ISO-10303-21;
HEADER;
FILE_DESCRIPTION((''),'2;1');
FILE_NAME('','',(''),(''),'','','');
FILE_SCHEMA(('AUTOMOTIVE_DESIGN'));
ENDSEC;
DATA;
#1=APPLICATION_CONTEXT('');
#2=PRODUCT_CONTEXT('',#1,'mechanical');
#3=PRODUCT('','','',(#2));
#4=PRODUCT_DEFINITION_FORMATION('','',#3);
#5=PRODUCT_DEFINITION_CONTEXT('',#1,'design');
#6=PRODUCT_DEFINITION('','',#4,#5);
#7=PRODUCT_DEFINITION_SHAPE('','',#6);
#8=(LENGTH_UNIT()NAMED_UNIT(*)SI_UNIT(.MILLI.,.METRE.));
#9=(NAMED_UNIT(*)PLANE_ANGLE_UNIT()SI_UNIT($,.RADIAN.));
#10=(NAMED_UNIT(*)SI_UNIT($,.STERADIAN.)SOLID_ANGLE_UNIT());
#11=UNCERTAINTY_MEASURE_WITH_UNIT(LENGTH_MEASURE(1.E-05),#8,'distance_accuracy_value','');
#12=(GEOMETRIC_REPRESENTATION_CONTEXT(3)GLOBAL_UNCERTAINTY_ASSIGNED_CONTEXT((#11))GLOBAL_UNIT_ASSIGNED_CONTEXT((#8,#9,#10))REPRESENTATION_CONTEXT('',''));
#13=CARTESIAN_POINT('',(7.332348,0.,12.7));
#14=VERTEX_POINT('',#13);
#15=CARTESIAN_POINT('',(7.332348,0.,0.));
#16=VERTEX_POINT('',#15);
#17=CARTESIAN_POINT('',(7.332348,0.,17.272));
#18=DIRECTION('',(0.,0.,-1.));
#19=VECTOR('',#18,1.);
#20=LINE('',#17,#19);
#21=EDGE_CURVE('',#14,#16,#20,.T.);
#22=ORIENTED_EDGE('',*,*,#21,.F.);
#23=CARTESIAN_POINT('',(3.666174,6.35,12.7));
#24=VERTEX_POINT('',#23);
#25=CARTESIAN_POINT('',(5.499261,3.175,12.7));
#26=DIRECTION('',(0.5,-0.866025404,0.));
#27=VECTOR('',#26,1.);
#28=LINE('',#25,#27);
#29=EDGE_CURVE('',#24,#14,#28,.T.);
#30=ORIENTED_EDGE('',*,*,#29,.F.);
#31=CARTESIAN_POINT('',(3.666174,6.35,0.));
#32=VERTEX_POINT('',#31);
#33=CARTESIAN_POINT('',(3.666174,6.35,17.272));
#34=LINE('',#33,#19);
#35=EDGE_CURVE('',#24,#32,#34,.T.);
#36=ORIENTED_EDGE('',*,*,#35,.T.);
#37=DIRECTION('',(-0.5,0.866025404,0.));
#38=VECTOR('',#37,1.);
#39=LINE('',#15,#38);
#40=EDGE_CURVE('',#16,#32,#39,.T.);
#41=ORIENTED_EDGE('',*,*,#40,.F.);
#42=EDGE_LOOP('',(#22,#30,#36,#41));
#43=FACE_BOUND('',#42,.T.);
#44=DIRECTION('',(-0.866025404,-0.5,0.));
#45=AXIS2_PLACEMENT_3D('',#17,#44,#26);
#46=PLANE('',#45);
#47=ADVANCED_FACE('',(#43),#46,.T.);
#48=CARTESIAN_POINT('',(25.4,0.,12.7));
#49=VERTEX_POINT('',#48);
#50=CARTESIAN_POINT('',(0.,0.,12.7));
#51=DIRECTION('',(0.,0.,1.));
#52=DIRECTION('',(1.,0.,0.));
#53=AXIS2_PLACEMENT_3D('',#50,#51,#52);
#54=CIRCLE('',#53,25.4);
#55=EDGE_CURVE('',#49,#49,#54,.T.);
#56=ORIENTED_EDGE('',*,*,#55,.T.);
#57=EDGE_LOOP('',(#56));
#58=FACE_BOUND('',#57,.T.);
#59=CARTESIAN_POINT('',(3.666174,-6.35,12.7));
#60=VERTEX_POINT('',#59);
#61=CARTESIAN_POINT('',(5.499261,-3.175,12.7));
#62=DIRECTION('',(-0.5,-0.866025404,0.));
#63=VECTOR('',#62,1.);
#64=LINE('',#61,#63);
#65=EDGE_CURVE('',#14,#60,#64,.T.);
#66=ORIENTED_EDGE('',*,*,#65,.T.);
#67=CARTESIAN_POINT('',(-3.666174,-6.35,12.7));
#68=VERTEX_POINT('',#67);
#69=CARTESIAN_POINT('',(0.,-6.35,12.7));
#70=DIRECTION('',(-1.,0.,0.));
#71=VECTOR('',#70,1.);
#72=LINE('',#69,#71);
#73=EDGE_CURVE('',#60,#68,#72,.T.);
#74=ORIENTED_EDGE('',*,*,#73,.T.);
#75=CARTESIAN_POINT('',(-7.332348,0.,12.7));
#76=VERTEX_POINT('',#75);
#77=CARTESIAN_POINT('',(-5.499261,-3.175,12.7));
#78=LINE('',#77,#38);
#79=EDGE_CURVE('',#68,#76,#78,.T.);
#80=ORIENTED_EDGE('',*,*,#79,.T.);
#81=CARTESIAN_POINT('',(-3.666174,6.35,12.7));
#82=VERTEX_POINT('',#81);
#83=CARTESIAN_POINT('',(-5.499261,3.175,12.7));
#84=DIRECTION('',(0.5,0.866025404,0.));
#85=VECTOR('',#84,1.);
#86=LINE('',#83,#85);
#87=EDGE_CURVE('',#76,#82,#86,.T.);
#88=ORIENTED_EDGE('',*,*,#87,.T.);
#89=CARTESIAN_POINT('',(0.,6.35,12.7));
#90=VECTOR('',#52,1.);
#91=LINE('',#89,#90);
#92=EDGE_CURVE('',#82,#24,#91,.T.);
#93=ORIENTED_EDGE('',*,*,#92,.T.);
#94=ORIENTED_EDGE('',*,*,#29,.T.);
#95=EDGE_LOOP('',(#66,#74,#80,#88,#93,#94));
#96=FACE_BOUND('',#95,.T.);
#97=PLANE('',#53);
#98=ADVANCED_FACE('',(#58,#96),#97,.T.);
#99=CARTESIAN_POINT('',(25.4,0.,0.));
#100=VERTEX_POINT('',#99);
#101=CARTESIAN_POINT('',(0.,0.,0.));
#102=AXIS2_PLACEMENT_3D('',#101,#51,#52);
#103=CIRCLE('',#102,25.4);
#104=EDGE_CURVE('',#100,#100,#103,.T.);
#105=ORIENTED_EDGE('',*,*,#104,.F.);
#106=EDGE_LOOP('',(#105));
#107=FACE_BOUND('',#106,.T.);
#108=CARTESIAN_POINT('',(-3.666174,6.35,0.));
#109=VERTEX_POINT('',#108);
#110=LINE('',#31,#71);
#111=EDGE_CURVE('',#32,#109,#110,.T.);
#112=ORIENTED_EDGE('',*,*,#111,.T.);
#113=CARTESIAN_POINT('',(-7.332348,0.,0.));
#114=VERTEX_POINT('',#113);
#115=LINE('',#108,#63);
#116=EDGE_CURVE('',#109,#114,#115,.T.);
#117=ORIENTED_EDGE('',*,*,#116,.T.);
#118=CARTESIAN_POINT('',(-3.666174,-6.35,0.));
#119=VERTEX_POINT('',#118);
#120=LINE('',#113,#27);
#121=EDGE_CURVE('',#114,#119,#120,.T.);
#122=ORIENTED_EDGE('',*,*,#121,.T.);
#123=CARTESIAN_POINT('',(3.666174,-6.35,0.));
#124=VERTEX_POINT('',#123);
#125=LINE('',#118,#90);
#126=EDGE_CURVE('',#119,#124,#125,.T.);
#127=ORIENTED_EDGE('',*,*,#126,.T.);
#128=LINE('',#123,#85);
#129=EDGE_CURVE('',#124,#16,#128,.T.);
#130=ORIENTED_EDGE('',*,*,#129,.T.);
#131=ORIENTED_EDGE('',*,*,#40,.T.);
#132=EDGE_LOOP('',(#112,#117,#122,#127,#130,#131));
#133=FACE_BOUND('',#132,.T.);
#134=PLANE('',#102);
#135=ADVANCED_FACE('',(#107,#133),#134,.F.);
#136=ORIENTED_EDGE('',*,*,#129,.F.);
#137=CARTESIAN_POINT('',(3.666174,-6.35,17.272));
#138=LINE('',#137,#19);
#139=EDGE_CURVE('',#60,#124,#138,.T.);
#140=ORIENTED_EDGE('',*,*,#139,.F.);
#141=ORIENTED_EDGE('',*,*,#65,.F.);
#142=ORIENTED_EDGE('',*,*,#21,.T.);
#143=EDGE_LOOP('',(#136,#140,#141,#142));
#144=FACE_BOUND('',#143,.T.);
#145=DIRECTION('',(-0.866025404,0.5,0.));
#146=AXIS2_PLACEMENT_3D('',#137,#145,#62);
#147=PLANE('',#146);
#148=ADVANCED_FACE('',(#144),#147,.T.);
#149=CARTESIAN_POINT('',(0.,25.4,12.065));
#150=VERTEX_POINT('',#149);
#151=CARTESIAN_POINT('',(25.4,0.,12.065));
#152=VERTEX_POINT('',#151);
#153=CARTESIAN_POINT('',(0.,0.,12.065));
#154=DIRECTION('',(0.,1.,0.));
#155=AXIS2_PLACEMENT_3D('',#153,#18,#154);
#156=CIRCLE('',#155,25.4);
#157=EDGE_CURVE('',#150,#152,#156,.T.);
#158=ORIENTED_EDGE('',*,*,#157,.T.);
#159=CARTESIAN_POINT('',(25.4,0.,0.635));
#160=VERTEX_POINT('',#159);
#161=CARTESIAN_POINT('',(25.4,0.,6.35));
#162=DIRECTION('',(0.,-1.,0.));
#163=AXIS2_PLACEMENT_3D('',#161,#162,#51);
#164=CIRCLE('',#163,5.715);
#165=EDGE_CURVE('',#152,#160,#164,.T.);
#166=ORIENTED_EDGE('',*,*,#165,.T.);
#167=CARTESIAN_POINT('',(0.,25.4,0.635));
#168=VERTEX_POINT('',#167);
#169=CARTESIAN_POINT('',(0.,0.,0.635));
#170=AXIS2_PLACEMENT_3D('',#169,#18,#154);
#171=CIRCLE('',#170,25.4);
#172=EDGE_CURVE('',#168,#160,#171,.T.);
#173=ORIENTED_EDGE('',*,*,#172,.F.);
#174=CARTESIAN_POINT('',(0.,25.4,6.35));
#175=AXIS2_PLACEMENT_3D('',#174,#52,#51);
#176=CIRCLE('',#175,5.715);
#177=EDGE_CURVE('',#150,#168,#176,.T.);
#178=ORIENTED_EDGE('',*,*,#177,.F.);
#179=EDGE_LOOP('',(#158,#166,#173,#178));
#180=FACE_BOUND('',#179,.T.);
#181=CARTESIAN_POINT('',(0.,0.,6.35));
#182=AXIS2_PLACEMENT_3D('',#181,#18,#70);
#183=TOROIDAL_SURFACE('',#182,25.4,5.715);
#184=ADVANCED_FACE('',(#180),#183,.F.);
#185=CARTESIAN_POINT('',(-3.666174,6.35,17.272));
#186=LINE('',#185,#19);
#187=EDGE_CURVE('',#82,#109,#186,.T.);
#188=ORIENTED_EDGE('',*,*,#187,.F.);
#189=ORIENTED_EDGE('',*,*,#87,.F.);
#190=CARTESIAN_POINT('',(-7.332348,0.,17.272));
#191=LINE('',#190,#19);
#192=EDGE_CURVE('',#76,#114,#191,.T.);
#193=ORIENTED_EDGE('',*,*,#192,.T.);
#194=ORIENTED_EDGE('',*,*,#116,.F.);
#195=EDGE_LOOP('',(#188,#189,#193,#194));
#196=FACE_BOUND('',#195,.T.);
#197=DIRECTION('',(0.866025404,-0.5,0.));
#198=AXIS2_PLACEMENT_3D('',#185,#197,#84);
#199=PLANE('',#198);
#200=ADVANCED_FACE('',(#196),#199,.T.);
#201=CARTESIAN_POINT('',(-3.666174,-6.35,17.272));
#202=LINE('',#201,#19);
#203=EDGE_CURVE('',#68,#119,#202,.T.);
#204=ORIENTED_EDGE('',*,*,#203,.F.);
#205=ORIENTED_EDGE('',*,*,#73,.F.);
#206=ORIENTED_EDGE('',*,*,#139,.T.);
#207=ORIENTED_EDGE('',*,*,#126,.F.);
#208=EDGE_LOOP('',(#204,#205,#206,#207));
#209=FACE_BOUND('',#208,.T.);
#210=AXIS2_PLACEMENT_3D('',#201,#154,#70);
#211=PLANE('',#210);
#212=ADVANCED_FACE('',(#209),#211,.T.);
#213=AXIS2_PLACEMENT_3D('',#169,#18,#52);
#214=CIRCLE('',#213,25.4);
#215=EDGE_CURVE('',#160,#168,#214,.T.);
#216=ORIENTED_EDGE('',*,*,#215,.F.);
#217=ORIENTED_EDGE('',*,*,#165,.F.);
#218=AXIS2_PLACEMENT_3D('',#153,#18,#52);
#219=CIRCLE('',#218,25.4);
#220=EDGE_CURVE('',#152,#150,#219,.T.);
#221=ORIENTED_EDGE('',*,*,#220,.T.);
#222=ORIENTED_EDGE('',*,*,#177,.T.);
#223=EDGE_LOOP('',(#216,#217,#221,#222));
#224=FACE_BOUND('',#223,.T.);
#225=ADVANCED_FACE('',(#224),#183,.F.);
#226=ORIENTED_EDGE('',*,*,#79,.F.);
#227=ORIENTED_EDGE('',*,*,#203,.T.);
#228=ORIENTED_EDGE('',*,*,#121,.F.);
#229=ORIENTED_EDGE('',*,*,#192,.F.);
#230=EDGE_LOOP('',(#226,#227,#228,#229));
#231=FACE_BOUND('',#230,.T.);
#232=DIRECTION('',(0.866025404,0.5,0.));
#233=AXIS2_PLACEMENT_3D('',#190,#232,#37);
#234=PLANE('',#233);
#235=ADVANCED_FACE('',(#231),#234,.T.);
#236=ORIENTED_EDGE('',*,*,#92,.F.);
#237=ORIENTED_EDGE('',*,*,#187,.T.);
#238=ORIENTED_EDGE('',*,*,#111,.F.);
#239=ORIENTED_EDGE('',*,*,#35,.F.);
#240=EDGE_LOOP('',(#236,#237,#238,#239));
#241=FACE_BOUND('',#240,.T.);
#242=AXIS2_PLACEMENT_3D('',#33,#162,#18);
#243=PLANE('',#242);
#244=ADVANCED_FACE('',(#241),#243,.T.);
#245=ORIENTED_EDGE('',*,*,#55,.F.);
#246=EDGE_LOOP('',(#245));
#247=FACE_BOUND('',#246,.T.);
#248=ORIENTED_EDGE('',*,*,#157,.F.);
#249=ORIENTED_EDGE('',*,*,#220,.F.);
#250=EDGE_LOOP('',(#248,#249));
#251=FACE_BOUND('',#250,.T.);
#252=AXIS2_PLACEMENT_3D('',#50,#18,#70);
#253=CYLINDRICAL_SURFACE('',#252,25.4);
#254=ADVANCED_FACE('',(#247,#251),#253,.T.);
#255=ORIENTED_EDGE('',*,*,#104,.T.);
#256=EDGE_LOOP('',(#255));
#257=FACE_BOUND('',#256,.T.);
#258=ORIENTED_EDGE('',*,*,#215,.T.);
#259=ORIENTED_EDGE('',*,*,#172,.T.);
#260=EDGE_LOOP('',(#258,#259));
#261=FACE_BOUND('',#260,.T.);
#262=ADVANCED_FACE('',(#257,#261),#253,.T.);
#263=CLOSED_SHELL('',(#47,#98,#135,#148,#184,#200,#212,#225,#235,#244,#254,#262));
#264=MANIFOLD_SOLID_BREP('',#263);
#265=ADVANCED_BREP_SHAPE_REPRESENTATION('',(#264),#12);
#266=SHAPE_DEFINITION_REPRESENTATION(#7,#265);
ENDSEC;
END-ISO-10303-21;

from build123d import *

# Parameters (mm, degrees)
SKETCH2_R           = 25.4
BOSS_EXTRUDE2_DEPTH = 12.7
CUT_EXTRUDE2_DEPTH  = 17.272


with BuildPart() as part:
    # Sketch2 → Boss-Extrude2 (new body)
    with BuildSketch(Plane.XY):
        Circle(SKETCH2_R)
    extrude(amount=BOSS_EXTRUDE2_DEPTH)

    # Cut-Sweep2: sweep along a curve in space
    with BuildLine() as cut_sweep2_path:
        ThreePointArc((25.4, 0, 12.7), (17.960512242, 17.960512242, 12.7), (0, 25.4, 12.7))
        ThreePointArc((0, 25.4, 12.7), (-17.960512242, 17.960512242, 12.7), (-25.4, 0, 12.7))
        ThreePointArc((-25.4, 0, 12.7), (-17.960512242, -17.960512242, 12.7), (0, -25.4, 12.7))
        ThreePointArc((0, -25.4, 12.7), (17.960512242, -17.960512242, 12.7), (25.4, 0, 12.7))
    # Sketch3 → Cut-Sweep2 (sweep, cut)
    with BuildSketch(Plane(origin=(0, 0, 0), x_dir=(0, 0, -1), z_dir=(1, 0, 0))):
        with BuildLine():
            Line((-12.065, 25.4), (-0.635, 25.4))
            ThreePointArc((-0.635, 25.4), (-6.35, 19.685), (-12.065, 25.4))
        make_face()
    sweep(path=cut_sweep2_path.line, mode=Mode.SUBTRACT)

    # Sketch22 → Cut-Extrude2 (cut)
    with BuildSketch(Plane.XY):
        Polygon((7.332348419, 0), (3.666174209, 6.35), (-3.666174209, 6.35), (-7.332348419, 0), (-3.666174209, -6.35), (3.666174209, -6.35), align=None)
    extrude(amount=CUT_EXTRUDE2_DEPTH, mode=Mode.SUBTRACT)


solid = part.part
